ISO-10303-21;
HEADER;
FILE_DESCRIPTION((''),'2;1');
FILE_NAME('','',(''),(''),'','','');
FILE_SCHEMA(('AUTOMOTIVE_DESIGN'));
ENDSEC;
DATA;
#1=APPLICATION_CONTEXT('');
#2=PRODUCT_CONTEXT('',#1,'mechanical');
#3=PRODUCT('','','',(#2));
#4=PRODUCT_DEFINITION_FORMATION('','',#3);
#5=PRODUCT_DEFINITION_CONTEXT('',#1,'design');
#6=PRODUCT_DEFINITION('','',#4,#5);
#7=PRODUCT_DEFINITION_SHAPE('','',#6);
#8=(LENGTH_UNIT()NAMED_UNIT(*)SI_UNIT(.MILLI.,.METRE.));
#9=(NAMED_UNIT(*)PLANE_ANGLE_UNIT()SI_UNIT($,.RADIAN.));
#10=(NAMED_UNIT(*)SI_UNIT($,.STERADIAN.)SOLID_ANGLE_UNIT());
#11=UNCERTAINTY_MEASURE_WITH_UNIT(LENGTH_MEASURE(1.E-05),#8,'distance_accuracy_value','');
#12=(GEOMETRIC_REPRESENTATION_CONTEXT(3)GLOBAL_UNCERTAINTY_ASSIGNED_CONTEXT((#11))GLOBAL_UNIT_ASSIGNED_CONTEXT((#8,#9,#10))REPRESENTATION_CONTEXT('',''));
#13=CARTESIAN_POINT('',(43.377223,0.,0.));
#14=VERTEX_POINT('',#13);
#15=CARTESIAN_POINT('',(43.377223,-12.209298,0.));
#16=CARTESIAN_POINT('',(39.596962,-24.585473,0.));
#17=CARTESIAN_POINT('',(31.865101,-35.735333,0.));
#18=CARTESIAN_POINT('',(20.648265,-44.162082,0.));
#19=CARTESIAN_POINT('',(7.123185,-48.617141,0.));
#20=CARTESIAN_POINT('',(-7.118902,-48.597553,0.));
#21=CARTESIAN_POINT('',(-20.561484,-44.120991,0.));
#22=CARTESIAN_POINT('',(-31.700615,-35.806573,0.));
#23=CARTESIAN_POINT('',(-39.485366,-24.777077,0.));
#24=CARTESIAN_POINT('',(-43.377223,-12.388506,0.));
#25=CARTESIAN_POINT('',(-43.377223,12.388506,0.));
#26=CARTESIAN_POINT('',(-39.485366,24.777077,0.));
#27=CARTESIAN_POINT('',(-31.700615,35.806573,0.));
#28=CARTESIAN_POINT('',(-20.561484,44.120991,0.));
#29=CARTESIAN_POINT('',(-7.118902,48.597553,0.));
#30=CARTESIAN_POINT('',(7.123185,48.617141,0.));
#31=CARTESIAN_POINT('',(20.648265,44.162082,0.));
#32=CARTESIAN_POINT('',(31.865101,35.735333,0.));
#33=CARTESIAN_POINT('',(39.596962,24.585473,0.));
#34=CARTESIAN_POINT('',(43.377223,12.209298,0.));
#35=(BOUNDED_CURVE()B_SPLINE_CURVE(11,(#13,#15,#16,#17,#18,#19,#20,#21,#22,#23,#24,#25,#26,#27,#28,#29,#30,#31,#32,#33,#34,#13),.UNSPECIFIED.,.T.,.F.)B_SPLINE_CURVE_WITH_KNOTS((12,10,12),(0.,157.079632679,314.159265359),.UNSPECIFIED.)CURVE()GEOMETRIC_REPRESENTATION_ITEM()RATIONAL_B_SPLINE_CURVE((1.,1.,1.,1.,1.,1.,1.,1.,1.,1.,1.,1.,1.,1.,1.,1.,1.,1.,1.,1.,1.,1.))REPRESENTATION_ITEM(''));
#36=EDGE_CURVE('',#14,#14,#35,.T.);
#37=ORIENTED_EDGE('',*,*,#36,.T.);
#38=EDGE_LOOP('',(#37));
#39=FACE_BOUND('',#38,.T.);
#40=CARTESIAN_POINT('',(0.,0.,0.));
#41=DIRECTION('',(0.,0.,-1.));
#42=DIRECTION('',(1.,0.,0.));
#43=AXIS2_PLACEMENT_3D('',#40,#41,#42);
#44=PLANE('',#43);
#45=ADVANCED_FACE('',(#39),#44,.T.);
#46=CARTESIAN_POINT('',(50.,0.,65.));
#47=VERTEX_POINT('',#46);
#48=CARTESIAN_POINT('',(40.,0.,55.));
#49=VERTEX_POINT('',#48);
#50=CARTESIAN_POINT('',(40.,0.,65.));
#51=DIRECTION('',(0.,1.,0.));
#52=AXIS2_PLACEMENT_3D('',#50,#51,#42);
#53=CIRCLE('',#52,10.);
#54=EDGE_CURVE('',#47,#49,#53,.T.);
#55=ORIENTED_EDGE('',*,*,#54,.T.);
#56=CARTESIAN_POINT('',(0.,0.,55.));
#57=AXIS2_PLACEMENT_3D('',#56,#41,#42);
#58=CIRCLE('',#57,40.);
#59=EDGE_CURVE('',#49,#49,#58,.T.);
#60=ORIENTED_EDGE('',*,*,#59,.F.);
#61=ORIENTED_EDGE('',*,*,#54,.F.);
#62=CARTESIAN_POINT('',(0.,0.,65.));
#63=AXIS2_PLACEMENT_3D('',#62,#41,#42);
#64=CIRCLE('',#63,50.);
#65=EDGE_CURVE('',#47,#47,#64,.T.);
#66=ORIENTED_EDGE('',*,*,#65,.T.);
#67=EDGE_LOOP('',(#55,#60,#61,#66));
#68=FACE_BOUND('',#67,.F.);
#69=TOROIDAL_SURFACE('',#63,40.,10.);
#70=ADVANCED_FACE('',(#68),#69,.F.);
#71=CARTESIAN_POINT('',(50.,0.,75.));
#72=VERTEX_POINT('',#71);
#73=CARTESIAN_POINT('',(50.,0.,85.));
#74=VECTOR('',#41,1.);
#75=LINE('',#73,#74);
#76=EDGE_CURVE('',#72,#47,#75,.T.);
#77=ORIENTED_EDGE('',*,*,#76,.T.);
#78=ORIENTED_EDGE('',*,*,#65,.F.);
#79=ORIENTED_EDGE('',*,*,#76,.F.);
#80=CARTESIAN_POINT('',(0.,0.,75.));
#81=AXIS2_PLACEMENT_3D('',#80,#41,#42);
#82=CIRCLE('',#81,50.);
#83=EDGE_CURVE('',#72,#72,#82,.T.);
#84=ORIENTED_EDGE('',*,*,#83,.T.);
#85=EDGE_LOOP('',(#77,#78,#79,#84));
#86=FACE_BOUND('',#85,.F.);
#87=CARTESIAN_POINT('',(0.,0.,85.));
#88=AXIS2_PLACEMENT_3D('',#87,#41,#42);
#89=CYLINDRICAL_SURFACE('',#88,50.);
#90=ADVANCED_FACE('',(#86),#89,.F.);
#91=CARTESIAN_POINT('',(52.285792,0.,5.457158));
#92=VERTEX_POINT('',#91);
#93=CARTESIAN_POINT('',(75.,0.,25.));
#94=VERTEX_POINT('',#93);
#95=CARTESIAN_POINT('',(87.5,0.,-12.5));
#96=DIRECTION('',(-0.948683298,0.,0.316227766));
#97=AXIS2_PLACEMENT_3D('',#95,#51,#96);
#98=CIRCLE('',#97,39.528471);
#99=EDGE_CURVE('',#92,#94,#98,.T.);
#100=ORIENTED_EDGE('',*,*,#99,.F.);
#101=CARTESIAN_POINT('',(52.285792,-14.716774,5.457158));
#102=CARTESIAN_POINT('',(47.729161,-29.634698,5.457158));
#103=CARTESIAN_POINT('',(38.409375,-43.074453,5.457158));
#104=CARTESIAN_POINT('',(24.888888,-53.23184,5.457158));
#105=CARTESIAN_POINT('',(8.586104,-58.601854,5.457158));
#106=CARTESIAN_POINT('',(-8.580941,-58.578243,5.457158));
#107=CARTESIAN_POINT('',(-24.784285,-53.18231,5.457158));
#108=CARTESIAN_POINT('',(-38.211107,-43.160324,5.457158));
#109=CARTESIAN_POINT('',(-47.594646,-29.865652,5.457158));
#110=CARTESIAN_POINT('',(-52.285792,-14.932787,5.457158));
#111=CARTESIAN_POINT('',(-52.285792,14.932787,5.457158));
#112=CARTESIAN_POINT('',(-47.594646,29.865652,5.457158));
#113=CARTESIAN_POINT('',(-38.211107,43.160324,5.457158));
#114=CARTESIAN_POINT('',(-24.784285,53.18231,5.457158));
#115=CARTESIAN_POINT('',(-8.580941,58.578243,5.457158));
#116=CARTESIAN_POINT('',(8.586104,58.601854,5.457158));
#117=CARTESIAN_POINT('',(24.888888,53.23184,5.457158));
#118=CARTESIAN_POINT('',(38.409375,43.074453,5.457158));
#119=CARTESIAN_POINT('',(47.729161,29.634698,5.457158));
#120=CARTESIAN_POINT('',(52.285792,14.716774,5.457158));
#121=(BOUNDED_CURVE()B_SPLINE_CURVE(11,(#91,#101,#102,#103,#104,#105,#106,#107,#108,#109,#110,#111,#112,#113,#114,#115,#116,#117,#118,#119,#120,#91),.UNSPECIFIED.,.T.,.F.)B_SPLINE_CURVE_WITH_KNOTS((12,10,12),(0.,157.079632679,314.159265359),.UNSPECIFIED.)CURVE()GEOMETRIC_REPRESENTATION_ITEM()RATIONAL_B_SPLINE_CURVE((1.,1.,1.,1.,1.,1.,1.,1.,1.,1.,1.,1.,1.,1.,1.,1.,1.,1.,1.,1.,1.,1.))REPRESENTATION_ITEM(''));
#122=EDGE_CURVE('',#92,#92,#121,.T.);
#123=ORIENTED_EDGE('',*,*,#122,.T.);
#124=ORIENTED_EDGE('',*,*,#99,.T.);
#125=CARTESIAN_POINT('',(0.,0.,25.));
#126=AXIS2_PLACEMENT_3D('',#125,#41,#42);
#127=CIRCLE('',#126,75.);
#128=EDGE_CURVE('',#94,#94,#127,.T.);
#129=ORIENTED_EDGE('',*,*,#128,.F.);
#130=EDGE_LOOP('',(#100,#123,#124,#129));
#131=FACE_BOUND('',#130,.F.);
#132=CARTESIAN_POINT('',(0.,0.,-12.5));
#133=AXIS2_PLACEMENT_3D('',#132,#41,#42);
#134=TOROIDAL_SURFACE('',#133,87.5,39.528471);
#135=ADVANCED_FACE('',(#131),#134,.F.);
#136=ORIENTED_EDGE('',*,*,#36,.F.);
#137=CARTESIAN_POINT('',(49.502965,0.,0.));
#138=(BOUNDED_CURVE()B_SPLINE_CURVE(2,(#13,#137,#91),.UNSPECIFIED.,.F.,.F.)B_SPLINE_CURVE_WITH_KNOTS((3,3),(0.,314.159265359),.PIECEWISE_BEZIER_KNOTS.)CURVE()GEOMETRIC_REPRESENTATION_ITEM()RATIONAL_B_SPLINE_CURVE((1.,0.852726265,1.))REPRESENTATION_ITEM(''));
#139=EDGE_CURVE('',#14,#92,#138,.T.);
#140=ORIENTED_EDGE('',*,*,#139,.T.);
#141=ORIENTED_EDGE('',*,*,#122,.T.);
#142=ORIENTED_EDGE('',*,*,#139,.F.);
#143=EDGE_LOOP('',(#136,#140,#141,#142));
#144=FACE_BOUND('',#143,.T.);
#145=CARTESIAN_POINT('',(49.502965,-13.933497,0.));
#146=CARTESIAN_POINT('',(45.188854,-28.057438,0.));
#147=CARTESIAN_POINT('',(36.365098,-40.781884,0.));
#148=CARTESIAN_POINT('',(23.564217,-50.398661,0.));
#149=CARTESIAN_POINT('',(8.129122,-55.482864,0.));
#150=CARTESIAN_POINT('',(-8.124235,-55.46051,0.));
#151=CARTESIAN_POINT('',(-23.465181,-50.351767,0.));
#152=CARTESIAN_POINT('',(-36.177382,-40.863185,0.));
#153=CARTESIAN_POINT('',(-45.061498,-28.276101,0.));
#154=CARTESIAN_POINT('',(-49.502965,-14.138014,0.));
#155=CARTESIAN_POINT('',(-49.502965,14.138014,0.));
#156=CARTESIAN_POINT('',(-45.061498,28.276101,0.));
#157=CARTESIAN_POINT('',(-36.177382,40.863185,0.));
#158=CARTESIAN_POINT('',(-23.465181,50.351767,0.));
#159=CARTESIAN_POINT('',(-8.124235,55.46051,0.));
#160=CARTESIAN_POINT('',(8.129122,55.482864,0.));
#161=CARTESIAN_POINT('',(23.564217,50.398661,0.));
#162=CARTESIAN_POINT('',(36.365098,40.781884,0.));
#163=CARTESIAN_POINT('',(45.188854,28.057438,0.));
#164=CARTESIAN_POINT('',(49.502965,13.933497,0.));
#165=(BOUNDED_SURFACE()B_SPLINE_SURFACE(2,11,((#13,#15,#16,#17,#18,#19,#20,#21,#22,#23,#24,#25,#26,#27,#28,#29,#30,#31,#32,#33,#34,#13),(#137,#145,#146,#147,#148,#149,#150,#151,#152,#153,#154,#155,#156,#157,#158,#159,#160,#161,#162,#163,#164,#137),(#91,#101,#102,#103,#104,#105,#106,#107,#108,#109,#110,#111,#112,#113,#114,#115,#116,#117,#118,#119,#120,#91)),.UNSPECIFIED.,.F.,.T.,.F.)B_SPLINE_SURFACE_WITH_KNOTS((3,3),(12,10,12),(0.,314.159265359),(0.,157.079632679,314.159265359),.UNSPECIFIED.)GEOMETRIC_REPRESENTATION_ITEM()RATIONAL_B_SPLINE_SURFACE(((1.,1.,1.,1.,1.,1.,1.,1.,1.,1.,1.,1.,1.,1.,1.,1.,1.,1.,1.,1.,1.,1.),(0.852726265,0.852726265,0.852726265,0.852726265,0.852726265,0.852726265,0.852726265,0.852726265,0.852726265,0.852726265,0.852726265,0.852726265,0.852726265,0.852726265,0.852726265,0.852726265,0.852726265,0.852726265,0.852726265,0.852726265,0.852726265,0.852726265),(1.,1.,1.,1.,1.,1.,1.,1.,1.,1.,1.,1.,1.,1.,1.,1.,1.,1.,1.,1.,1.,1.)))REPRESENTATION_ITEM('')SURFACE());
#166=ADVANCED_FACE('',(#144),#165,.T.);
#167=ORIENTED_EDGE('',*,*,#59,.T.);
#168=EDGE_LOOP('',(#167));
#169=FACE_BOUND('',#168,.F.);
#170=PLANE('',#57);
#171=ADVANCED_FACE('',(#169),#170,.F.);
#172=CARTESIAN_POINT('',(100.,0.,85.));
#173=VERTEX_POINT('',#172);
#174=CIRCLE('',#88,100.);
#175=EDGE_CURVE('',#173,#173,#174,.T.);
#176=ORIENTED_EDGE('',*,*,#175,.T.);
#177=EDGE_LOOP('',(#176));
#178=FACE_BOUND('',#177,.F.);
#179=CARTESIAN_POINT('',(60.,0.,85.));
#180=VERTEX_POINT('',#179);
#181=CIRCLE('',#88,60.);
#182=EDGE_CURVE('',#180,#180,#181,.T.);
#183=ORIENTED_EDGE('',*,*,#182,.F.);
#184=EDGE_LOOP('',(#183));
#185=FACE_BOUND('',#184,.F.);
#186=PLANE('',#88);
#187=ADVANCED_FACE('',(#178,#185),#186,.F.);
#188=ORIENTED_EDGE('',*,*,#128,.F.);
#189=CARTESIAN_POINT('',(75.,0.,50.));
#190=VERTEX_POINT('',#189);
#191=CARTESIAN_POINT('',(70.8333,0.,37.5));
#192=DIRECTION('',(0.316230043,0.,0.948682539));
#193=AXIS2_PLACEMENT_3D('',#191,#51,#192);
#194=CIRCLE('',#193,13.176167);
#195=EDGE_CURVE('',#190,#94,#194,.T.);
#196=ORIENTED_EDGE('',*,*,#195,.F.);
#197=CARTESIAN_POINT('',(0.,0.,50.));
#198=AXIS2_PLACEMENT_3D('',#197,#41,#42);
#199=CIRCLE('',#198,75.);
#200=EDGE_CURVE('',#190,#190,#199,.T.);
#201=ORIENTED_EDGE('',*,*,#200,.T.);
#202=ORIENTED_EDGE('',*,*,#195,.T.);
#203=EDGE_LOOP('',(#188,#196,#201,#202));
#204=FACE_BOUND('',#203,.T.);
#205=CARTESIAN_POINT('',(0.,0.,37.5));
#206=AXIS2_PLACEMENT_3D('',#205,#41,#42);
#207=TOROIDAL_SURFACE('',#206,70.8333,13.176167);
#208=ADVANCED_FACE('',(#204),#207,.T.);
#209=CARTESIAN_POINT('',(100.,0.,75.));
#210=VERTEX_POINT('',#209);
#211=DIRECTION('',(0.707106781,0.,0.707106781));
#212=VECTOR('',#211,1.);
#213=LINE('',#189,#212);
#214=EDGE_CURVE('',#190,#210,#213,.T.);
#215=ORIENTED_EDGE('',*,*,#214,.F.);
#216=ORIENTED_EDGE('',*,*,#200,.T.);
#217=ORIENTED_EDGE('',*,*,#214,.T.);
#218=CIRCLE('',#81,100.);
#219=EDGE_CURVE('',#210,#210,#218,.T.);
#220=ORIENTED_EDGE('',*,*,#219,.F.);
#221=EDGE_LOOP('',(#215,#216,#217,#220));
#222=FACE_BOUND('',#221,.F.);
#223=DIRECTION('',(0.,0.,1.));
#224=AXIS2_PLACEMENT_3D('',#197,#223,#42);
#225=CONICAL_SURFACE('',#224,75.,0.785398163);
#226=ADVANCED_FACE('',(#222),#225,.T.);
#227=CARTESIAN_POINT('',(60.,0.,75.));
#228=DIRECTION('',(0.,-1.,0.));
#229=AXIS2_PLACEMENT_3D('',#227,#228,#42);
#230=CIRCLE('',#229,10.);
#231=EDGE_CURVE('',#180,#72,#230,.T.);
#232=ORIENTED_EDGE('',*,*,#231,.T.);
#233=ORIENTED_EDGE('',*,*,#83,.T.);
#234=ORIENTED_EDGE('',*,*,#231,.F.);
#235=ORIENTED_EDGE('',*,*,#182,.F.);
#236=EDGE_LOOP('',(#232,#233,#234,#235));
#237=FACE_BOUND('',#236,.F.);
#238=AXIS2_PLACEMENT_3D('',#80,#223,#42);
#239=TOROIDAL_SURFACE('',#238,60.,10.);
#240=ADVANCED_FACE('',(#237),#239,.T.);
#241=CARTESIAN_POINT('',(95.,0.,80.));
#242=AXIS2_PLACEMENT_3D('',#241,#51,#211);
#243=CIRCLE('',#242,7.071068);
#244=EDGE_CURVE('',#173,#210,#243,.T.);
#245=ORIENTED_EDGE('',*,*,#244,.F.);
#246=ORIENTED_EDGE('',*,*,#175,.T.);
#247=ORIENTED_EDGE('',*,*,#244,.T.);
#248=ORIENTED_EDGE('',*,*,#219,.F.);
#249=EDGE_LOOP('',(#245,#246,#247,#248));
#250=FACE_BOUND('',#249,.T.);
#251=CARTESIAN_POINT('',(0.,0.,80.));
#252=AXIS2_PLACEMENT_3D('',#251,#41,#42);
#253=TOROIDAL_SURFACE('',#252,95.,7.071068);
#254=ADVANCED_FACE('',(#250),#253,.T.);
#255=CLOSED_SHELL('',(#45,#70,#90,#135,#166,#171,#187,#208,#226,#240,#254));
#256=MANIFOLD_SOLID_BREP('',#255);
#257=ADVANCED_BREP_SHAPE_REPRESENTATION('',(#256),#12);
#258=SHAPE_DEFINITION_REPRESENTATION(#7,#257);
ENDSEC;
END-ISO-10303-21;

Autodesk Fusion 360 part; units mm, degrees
sketch "Boceto1" plane through (0, 0, 0) normal (0, 1, 0) x (1, 0, 0)
  arc A0 (75, -50) -> (75, -25) centre (70.8333, -37.5) ccw
  line L0 (75, -50) -> (100, -75)
  arc A1 (100, -85) -> (100, -75) centre (95, -80) ccw
  line L1 (100, -85) -> (50, -85)
  line L2 (50, -85) -> (50, -55)
  line L3 (50, -55) -> (0, -55)
  line L4 (0, -55) -> (0, 0)
  line L5 (-25, 0) -> (-25, -10)
  arc A2 (50, 0) -> (75, -25) centre (87.5, 12.5) ccw
  line L6 (50, 0) -> (0, 0)
revolve "Revolución1" add sketch "Boceto1" angle 360 about axis through (0, 0, 55) along (0, 0, -1) makes body 1
fillet "Empalme1" radius 10 1 edges at (-46.6164, -18.0808, 0) on bodies 1
fillet "Empalme2" radius 10 1 edges at (-46.6164, -18.0808, 85) on bodies 1
fillet "Empalme3" radius 10 1 edges at (-46.6164, -18.0808, 55) on bodies 1
sketch "Boceto7" plane through (0, 0, 0) normal (0, 0, 1) x (1, 0, 0)
  line L0 (150, -130) -> (-150, -130)
  line L1 (-150, -130) -> (-150, 130)
  line L2 (-150, 130) -> (150, 130)
  line L3 (150, 130) -> (150, -130)
  line L4 (150, -130) -> (-150, 130) construction
  line L5 (-150, -130) -> (150, 130) construction
extrude "Extruir1" add sketch "Boceto7" along normal blind 160 separate body makes body 2
combine "Combinar1" operation cut target body 2 tool bodies 1 keep tools
hidden bodies 2
